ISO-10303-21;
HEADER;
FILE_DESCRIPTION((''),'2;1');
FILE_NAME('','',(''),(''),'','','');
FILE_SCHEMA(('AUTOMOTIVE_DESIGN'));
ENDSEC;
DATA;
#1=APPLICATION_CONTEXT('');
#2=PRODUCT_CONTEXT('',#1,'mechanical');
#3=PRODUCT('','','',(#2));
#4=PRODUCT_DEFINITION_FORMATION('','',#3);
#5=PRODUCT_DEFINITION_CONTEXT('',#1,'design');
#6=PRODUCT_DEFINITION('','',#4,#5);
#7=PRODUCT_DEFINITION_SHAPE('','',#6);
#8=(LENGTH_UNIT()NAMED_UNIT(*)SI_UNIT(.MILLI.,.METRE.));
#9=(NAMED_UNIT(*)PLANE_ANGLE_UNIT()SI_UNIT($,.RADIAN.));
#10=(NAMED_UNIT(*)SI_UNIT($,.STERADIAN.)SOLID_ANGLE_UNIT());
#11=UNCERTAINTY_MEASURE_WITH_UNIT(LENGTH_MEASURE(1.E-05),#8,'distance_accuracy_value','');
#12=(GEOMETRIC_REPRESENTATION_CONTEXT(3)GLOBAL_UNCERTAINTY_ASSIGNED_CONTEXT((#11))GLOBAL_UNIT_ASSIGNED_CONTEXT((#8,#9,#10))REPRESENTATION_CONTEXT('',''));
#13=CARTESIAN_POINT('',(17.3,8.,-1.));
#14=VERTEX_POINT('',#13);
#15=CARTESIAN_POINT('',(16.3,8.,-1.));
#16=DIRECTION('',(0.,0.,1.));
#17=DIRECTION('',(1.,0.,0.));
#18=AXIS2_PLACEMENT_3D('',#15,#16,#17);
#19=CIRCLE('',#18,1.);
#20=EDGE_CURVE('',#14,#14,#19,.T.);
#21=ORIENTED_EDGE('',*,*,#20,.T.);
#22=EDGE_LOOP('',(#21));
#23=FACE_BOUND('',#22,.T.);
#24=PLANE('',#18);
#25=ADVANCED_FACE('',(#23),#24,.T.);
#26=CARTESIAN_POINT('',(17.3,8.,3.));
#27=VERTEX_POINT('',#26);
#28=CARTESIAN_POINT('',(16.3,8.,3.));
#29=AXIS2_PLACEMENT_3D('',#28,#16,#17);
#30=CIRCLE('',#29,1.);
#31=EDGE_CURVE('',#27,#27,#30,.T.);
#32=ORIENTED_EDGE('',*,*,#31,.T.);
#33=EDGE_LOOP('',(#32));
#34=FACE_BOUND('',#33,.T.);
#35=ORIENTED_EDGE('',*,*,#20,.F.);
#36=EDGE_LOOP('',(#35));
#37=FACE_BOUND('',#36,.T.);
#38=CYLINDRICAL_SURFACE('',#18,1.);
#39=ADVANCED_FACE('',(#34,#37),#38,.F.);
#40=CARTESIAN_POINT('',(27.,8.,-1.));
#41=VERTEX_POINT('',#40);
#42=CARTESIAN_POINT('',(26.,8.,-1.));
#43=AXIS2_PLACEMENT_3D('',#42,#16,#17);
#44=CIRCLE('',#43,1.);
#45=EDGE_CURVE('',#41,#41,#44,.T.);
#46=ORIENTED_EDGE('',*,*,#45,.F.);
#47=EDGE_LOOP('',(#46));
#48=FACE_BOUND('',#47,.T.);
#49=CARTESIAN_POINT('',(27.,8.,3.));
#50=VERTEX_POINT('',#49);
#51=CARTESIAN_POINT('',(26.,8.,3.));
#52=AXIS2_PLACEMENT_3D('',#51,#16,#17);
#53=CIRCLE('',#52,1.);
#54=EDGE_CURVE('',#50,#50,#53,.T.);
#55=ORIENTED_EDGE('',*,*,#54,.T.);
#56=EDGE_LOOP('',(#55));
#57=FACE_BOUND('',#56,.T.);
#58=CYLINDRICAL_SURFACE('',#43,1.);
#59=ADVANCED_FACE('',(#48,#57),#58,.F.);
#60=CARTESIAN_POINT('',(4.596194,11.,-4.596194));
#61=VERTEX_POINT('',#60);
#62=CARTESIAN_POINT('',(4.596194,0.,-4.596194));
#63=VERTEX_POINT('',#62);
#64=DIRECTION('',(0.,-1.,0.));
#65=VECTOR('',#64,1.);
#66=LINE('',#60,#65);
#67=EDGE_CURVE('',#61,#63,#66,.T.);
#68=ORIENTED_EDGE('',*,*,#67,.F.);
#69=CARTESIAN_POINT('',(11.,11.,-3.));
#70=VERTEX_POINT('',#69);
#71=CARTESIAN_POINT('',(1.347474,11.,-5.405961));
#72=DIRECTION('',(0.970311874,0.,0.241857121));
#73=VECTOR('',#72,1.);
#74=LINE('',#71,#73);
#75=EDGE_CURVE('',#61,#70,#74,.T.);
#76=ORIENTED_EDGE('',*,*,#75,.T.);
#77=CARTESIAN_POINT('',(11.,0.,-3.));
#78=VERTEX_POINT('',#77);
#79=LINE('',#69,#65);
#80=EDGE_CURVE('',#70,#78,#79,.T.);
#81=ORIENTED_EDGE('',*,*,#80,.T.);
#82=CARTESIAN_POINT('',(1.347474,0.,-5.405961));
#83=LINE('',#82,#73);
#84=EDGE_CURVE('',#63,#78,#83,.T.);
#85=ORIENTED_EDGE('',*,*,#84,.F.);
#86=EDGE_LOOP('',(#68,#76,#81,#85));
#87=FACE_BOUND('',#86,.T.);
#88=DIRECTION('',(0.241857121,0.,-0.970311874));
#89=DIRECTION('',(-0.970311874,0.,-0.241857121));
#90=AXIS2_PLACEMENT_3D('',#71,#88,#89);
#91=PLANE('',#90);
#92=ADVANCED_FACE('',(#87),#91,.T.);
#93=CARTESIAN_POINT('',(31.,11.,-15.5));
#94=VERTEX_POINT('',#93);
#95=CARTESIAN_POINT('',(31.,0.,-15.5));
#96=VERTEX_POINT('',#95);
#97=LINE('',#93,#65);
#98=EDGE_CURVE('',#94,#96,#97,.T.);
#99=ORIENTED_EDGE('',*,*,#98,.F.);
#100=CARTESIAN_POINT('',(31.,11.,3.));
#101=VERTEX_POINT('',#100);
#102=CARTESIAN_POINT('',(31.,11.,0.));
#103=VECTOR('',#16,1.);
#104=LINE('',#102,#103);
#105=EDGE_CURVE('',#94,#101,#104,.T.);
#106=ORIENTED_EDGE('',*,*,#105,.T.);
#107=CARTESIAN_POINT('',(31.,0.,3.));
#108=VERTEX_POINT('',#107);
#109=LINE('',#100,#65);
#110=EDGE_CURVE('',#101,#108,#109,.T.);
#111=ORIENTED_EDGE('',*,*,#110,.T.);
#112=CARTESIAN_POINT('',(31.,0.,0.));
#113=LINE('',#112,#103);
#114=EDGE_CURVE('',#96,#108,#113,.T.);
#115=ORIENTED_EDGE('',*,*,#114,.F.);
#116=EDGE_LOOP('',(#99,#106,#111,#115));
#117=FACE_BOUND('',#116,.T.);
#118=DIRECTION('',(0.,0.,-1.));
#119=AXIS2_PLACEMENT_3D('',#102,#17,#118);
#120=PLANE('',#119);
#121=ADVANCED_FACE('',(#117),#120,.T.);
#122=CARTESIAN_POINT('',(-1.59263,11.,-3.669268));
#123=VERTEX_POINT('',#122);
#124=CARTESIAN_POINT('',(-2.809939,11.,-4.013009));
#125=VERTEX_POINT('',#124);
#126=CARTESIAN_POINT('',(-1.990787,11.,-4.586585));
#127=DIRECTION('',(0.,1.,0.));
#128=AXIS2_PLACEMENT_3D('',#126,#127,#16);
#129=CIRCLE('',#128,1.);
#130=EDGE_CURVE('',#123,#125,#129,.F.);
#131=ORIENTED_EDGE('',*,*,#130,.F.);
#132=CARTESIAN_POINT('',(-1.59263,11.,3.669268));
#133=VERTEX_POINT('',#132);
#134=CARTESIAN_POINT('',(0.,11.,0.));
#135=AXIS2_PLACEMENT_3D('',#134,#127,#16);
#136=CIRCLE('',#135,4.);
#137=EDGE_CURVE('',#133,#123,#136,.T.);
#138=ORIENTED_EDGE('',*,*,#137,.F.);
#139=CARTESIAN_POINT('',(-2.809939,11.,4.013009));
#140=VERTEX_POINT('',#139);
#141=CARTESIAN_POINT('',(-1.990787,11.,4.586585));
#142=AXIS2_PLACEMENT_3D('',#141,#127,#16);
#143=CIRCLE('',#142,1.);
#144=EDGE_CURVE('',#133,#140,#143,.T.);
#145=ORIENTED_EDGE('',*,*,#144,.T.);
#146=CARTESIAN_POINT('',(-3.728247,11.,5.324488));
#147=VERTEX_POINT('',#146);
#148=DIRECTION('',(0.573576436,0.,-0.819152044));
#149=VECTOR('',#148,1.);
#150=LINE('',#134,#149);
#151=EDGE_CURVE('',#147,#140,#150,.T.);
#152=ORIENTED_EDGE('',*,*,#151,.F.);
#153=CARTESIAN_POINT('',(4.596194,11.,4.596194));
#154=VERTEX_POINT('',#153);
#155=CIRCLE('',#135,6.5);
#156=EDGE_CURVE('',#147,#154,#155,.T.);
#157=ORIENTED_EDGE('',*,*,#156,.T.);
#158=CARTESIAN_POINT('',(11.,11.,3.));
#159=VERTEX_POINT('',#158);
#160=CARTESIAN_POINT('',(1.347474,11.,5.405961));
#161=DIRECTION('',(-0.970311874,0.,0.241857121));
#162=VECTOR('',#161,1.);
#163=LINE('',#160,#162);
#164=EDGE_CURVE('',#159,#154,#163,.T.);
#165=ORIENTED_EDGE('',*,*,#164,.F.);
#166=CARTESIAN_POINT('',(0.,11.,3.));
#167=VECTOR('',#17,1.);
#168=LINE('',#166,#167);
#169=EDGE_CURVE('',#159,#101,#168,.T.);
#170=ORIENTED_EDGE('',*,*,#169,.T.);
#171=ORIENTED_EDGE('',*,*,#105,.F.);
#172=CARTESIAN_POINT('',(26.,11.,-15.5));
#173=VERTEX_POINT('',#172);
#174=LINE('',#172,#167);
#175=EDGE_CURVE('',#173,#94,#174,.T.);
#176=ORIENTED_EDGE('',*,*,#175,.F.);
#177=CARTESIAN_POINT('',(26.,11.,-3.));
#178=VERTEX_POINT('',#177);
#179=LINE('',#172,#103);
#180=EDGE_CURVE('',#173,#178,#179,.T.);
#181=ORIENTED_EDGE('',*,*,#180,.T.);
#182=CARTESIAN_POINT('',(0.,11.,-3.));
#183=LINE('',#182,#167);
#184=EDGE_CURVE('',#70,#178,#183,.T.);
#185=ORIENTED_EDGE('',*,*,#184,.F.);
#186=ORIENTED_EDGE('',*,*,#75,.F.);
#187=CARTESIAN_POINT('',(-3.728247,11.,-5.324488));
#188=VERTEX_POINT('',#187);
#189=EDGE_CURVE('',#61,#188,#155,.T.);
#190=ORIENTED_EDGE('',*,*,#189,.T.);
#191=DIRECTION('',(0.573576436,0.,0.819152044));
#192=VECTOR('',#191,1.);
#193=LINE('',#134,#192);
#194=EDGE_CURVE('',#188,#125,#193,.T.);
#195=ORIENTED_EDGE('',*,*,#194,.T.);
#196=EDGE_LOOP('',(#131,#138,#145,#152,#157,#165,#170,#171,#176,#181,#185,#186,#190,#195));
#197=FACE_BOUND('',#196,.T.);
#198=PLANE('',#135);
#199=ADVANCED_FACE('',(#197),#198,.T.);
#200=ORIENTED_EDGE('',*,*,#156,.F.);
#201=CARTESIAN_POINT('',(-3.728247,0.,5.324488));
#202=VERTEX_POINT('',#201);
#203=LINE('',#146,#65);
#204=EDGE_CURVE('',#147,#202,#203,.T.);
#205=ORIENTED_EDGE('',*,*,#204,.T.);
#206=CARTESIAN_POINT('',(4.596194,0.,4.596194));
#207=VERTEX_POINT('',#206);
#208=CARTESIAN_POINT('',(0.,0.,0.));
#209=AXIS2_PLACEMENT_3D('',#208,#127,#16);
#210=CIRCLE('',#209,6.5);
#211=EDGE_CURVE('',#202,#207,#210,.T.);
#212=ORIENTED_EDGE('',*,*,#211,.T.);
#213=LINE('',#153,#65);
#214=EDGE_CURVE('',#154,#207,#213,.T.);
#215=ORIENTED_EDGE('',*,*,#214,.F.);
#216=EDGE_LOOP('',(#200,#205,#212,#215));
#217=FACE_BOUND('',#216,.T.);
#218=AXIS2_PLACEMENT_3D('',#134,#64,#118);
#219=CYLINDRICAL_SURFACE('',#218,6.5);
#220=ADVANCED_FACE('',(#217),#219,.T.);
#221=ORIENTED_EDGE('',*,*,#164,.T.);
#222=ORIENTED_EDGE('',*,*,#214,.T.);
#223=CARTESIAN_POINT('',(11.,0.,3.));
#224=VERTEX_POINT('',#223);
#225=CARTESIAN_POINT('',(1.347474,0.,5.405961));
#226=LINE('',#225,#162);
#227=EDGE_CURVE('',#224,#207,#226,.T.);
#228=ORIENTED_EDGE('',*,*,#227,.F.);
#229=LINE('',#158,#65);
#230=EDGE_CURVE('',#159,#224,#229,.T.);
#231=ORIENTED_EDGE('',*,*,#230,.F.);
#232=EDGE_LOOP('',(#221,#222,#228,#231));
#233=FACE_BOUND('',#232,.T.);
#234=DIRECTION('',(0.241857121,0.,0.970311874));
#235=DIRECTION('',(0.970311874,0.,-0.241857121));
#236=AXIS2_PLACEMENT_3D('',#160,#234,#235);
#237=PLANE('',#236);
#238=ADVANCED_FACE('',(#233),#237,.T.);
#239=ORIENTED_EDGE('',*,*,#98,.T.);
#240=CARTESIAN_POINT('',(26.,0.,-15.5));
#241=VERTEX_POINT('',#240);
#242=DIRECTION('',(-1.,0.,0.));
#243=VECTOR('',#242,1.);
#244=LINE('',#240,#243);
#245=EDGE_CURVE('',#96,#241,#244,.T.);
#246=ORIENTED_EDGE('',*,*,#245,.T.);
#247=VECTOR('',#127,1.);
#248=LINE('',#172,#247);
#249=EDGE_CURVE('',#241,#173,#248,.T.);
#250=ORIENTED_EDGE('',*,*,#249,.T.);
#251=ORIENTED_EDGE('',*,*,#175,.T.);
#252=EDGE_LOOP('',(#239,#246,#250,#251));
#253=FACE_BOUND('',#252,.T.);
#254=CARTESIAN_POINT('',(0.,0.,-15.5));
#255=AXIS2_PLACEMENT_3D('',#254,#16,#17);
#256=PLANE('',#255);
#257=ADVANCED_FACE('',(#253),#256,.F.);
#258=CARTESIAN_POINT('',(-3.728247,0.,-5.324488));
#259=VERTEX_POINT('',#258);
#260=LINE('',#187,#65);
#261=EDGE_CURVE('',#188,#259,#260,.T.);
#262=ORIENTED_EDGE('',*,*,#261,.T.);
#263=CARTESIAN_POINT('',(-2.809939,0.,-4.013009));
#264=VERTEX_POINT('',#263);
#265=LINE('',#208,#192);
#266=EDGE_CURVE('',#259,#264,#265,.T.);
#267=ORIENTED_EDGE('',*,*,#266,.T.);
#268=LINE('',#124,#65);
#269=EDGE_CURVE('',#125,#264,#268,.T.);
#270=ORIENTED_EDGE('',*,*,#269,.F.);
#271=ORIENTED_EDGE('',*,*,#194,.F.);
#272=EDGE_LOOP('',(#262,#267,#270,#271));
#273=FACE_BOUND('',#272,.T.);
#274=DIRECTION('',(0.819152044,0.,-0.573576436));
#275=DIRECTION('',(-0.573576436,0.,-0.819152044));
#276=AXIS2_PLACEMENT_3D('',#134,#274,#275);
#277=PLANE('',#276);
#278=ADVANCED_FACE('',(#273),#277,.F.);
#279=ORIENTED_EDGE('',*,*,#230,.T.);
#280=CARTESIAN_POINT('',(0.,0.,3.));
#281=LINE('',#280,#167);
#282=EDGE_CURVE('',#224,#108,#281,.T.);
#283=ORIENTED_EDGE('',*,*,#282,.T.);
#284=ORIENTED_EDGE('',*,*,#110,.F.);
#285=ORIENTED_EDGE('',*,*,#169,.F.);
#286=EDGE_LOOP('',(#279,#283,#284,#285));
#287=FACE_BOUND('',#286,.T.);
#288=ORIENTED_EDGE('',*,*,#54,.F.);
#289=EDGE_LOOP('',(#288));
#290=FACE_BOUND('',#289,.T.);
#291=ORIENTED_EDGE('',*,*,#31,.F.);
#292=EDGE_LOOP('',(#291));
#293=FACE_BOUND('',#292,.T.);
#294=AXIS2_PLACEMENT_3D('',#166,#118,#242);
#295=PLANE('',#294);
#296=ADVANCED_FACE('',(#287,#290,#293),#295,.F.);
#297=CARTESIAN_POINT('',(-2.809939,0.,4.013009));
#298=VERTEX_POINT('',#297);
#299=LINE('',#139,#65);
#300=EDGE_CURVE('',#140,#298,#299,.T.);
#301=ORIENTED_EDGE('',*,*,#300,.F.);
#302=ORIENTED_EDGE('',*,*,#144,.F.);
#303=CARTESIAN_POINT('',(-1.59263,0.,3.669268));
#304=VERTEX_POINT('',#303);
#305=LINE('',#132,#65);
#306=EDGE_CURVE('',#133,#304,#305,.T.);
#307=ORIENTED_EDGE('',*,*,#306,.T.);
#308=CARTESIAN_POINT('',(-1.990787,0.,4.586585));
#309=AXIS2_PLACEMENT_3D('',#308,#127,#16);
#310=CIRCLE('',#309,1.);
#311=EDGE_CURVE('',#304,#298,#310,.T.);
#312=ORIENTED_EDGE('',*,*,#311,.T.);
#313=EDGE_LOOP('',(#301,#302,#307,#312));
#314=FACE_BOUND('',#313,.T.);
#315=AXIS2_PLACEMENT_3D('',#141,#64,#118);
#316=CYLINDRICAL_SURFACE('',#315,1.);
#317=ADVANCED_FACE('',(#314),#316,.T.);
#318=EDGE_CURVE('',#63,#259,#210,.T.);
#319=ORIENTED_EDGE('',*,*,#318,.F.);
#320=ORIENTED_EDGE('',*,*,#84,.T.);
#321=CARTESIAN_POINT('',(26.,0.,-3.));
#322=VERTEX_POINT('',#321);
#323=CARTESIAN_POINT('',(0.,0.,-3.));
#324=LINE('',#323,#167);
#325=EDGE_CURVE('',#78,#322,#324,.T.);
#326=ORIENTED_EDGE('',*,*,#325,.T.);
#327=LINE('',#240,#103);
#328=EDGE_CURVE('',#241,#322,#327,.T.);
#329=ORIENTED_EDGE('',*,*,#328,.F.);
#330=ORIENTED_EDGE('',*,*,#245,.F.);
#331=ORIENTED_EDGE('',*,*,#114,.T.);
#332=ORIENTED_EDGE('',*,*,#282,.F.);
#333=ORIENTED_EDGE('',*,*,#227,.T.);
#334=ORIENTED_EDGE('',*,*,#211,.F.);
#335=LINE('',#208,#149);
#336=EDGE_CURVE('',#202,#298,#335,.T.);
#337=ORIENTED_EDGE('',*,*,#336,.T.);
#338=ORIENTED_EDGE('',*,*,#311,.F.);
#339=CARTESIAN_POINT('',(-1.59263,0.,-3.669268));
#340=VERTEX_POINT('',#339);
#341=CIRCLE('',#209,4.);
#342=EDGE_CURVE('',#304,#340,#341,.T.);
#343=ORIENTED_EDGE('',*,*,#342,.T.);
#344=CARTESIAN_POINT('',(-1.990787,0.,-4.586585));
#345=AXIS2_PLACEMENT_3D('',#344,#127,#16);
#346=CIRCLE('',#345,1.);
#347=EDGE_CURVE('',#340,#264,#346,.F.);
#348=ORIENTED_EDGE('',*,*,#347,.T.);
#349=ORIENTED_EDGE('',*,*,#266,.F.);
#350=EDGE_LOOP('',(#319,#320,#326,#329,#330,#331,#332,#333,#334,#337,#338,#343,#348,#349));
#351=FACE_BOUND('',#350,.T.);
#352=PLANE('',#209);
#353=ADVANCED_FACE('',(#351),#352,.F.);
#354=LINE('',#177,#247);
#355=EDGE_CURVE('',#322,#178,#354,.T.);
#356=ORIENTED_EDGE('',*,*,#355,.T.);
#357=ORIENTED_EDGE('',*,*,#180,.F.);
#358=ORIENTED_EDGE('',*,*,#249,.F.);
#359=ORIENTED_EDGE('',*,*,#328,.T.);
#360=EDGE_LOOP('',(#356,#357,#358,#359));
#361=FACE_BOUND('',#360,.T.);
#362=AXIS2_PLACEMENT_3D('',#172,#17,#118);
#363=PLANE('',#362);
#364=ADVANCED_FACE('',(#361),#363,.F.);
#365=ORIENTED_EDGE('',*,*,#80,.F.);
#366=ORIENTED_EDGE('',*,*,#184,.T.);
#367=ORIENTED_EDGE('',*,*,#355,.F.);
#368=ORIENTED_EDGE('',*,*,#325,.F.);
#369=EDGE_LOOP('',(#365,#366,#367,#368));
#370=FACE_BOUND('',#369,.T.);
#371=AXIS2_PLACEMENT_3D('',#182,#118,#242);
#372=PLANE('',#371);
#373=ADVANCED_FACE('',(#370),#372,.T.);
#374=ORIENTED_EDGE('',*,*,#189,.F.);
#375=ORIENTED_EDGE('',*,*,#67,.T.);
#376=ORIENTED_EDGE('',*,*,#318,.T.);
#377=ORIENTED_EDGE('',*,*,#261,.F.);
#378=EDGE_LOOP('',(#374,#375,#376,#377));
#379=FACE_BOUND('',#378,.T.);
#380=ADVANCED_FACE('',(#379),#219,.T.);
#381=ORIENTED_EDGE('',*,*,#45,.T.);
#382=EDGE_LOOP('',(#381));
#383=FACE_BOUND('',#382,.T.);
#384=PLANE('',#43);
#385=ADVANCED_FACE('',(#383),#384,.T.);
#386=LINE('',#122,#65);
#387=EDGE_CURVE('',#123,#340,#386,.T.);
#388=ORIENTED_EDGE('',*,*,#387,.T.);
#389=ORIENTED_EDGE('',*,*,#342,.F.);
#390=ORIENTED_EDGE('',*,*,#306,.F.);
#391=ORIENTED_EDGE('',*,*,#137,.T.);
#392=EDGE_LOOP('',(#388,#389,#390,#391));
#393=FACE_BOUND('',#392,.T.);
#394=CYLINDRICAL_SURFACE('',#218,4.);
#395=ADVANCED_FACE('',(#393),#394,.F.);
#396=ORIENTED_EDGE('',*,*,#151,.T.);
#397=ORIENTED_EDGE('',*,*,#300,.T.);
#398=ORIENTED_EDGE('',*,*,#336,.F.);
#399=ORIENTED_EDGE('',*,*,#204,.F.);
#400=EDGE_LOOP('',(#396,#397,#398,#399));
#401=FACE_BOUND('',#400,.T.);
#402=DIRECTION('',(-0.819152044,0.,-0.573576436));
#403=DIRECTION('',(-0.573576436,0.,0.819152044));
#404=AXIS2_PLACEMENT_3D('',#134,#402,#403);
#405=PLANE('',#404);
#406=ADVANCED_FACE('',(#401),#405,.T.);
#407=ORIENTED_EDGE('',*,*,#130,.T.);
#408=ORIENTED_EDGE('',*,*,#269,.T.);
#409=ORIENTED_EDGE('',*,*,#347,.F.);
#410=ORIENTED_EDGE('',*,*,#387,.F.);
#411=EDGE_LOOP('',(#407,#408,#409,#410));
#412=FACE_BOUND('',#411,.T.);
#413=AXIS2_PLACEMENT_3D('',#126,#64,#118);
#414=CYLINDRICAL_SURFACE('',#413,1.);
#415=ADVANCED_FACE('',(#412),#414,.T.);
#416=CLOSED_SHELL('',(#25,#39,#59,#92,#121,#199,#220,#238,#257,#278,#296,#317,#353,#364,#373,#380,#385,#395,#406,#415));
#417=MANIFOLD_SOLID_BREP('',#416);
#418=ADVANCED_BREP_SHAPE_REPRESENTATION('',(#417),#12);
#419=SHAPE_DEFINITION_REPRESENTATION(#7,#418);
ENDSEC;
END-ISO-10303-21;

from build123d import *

# Parameters (mm, degrees)
ESQUISSE1_W             = 20
ESQUISSE1_H             = 6
BOSS_EXTRU_1_DEPTH      = 11
ESQUISSE2_R             = 1
ENL_V_MAT_EXTRU_1_DEPTH = 4
ESQUISSE3_W             = 5
ESQUISSE3_H             = 11
BOSS_EXTRU_2_DEPTH      = 12.5


with BuildPart() as part:
    # Esquisse1 → Boss.-Extru.1 (new body)
    with BuildSketch(Plane(origin=(0, 0, 0), x_dir=(1, 0, 0), z_dir=(0, 1, 0))):
        with Locations((21, 0)):
            Rectangle(ESQUISSE1_W, ESQUISSE1_H)
        with BuildLine():
            Line((11, -3), (11, 3))
            Line((11, 3), (4.596194078, 4.596194078))
            ThreePointArc((4.596194078, 4.596194078), (0.566512328, 6.475265538), (-3.728246836, 5.324488288))
            Line((-3.728246836, 5.324488288), (-2.809939195, 4.013009061))
            ThreePointArc((-2.809939195, 4.013009061), (-2.262538006, 3.624217858), (-1.592629721, 3.669268398))
            ThreePointArc((-1.592629721, 3.669268398), (4, 0), (-1.592629721, -3.669268398))
            ThreePointArc((-1.592629721, -3.669268398), (-2.262538006, -3.624217858), (-2.809939195, -4.013009061))
            Line((-2.809939195, -4.013009061), (-3.728246836, -5.324488288))
            ThreePointArc((-3.728246836, -5.324488288), (0.566512328, -6.475265538), (4.596194078, -4.596194078))
            Line((4.596194078, -4.596194078), (11, -3))
        make_face()
    extrude(amount=BOSS_EXTRU_1_DEPTH)

    # Esquisse2 → Enlèv. mat.-Extru.1 (cut)
    with BuildSketch(Plane.XY.offset(3)):
        with Locations((16.3, 8)):
            Circle(ESQUISSE2_R)
        with Locations((26, 8)):
            Circle(ESQUISSE2_R)
    extrude(amount=-ENL_V_MAT_EXTRU_1_DEPTH, mode=Mode.SUBTRACT)

    # Esquisse3 → Boss.-Extru.2 (add)
    with BuildSketch(Plane(origin=(0, 0, -3), x_dir=(-1, 0, 0), z_dir=(0, 0, -1))):
        with Locations((-28.5, 5.5)):
            Rectangle(ESQUISSE3_W, ESQUISSE3_H)
    extrude(amount=BOSS_EXTRU_2_DEPTH)


solid = part.part
